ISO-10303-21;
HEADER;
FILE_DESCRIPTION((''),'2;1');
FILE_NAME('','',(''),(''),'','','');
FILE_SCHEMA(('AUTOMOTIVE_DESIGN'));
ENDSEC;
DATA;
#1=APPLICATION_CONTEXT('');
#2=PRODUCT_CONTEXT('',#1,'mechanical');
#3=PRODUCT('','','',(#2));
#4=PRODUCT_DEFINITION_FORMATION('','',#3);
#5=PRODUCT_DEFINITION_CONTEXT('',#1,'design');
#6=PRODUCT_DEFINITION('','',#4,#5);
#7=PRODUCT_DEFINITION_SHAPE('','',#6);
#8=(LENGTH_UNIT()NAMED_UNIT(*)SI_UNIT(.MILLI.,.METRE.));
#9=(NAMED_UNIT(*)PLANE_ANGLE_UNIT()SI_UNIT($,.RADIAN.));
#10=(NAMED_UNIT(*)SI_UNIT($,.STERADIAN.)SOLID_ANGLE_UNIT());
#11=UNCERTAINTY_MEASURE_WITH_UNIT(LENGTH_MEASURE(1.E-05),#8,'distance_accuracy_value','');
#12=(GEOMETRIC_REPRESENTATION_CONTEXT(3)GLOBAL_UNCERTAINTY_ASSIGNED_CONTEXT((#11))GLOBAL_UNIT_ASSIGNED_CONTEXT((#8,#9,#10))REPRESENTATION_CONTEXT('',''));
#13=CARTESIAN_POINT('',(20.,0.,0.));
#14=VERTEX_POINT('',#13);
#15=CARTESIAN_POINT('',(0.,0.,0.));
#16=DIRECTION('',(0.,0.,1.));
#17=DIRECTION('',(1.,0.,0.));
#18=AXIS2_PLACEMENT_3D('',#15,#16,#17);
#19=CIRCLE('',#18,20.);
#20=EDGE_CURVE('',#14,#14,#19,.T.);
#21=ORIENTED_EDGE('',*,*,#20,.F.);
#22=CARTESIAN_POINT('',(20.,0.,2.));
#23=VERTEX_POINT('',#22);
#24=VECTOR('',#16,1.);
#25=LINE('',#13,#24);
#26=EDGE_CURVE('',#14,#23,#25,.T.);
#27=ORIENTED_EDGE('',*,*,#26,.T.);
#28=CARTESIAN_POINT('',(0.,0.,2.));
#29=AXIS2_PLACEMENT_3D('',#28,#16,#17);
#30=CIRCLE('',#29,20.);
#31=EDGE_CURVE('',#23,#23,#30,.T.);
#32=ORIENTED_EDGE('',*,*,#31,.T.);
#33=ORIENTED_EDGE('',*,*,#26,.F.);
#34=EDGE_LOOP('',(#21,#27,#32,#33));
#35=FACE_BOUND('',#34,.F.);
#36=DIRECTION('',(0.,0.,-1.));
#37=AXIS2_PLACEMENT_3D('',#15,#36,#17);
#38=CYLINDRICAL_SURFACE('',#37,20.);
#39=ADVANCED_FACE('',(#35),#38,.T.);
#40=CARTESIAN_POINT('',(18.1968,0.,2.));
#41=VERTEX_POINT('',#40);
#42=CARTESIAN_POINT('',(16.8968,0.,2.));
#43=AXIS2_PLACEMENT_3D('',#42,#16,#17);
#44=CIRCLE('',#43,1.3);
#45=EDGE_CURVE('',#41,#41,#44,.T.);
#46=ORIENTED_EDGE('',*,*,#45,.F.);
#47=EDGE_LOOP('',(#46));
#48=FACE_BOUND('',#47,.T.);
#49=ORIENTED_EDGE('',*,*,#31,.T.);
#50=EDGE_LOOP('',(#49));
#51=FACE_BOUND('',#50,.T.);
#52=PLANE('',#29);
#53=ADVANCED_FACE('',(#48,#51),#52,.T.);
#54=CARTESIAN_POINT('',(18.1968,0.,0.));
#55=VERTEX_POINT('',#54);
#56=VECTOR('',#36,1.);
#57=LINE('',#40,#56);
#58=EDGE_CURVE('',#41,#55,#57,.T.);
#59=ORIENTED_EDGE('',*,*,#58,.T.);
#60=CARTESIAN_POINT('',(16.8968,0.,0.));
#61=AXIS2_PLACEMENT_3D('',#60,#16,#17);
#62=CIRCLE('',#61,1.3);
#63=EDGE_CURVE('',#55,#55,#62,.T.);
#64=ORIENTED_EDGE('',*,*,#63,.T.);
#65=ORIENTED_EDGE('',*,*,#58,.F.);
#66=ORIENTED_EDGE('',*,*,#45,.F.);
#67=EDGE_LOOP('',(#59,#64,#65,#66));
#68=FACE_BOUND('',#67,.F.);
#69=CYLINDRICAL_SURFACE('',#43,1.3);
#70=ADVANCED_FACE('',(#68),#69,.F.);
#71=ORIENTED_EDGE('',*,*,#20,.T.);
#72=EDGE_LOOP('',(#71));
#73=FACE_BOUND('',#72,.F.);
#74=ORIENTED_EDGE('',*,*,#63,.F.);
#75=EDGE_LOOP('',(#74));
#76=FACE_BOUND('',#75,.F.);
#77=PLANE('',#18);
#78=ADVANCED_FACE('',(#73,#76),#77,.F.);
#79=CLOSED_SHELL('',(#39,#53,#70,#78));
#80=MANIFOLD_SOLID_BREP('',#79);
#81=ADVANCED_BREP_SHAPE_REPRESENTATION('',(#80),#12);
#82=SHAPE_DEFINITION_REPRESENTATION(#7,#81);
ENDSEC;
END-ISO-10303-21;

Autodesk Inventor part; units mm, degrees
ref_plane "YZ Plane" through (0, 0, 0) normal (1, 0, 0) x (0, 1, 0)
ref_plane "XZ Plane" through (0, 0, 0) normal (0, 1, 0) x (-1, 0, 0)
ref_plane "XY Plane" through (0, 0, 0) normal (0, 0, 1) x (1, 0, 0)
sketch "Sketch1" plane through (0, 0, 0) normal (0, 0, 1) x (1, 0, 0)
  circle A0 centre (0, 0) radius 20
  dimension "d0" = 40
extrude "Extrusion1" add sketch "Sketch1" along normal blind 2
sketch "Sketch2" plane through (0, 0, 2) normal (0, 0, 1) x (1, 0, 0)
  line L0 (19.8968, 0) -> (16.8968, 0)
  circle A0 centre (16.8968, 0) radius 1.3
  point P0 (0, 0)
  dimension "d3" = 3
  dimension "d4" = 2.6
extrude "Extrusion2" cut sketch "Sketch2" against normal blind 2
properties part number "FLAPPER"
